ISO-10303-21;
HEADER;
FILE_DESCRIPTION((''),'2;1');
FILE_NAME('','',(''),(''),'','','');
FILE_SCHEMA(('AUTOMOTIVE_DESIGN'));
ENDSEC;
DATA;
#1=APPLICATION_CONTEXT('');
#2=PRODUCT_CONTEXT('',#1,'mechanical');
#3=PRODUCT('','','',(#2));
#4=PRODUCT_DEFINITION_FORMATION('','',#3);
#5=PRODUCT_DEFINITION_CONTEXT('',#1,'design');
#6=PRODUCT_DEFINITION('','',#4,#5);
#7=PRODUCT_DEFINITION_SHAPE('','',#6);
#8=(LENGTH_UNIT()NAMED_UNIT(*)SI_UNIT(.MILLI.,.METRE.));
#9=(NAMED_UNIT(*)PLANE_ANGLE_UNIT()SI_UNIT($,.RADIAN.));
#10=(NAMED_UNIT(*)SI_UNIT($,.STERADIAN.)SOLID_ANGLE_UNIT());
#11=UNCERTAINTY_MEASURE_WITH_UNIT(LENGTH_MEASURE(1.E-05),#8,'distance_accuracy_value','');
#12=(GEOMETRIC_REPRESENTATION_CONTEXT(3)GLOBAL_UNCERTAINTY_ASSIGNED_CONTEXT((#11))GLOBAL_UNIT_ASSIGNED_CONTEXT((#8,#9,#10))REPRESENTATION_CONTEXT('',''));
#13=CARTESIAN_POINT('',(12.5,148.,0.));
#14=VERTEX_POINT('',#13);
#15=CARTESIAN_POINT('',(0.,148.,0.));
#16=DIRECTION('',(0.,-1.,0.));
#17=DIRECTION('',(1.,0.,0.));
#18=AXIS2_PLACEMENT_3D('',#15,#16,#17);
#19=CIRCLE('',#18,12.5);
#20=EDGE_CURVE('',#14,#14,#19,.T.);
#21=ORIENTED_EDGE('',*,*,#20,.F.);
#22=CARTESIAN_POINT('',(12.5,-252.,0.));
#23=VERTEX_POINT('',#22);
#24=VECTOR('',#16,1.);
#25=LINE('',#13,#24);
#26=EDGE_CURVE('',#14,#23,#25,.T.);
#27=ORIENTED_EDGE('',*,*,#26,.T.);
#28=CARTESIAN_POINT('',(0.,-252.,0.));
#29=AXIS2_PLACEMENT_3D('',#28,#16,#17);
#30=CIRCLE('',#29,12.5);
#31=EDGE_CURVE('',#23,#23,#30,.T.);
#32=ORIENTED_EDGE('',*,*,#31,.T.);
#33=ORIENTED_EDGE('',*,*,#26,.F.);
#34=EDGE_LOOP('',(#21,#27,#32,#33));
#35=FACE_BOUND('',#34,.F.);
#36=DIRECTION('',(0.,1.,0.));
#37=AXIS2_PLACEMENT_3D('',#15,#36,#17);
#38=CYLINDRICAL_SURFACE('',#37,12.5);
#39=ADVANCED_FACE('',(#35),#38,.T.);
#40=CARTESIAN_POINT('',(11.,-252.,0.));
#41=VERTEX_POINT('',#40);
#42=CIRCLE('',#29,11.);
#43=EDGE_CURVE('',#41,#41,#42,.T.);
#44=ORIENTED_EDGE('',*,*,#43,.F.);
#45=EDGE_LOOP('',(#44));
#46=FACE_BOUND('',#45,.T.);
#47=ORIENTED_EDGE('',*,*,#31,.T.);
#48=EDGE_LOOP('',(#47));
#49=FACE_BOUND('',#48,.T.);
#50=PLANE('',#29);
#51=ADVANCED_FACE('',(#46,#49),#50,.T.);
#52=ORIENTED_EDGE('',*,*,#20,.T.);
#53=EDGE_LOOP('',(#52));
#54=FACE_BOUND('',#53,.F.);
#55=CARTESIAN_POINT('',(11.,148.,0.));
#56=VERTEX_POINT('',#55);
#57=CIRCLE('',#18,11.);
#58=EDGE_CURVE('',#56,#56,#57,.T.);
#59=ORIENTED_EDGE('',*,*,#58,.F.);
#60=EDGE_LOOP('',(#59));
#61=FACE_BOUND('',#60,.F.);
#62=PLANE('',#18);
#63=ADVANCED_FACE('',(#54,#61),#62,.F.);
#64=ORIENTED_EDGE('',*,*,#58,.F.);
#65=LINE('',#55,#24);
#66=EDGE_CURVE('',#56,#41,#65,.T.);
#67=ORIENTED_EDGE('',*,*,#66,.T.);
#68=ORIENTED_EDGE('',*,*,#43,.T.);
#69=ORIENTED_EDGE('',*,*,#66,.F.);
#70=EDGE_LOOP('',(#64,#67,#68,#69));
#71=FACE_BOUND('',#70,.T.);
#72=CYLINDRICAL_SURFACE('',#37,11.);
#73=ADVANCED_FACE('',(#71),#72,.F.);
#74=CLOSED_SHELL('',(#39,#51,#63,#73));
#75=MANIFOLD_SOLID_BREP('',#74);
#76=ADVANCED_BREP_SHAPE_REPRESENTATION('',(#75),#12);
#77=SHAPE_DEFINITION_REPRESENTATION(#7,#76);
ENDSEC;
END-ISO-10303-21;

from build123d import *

# Parameters (mm, degrees)
SKETCH004_R   = 12.5
SKETCH004_R_2 = 11
PAD004_DEPTH  = 400


with BuildPart() as part:
    # Sketch004 → Pad004 (new body)
    with BuildSketch(Plane.XZ.offset(-148)):
        Circle(SKETCH004_R)
        Circle(SKETCH004_R_2, mode=Mode.SUBTRACT)
    extrude(amount=PAD004_DEPTH)


solid = part.part
